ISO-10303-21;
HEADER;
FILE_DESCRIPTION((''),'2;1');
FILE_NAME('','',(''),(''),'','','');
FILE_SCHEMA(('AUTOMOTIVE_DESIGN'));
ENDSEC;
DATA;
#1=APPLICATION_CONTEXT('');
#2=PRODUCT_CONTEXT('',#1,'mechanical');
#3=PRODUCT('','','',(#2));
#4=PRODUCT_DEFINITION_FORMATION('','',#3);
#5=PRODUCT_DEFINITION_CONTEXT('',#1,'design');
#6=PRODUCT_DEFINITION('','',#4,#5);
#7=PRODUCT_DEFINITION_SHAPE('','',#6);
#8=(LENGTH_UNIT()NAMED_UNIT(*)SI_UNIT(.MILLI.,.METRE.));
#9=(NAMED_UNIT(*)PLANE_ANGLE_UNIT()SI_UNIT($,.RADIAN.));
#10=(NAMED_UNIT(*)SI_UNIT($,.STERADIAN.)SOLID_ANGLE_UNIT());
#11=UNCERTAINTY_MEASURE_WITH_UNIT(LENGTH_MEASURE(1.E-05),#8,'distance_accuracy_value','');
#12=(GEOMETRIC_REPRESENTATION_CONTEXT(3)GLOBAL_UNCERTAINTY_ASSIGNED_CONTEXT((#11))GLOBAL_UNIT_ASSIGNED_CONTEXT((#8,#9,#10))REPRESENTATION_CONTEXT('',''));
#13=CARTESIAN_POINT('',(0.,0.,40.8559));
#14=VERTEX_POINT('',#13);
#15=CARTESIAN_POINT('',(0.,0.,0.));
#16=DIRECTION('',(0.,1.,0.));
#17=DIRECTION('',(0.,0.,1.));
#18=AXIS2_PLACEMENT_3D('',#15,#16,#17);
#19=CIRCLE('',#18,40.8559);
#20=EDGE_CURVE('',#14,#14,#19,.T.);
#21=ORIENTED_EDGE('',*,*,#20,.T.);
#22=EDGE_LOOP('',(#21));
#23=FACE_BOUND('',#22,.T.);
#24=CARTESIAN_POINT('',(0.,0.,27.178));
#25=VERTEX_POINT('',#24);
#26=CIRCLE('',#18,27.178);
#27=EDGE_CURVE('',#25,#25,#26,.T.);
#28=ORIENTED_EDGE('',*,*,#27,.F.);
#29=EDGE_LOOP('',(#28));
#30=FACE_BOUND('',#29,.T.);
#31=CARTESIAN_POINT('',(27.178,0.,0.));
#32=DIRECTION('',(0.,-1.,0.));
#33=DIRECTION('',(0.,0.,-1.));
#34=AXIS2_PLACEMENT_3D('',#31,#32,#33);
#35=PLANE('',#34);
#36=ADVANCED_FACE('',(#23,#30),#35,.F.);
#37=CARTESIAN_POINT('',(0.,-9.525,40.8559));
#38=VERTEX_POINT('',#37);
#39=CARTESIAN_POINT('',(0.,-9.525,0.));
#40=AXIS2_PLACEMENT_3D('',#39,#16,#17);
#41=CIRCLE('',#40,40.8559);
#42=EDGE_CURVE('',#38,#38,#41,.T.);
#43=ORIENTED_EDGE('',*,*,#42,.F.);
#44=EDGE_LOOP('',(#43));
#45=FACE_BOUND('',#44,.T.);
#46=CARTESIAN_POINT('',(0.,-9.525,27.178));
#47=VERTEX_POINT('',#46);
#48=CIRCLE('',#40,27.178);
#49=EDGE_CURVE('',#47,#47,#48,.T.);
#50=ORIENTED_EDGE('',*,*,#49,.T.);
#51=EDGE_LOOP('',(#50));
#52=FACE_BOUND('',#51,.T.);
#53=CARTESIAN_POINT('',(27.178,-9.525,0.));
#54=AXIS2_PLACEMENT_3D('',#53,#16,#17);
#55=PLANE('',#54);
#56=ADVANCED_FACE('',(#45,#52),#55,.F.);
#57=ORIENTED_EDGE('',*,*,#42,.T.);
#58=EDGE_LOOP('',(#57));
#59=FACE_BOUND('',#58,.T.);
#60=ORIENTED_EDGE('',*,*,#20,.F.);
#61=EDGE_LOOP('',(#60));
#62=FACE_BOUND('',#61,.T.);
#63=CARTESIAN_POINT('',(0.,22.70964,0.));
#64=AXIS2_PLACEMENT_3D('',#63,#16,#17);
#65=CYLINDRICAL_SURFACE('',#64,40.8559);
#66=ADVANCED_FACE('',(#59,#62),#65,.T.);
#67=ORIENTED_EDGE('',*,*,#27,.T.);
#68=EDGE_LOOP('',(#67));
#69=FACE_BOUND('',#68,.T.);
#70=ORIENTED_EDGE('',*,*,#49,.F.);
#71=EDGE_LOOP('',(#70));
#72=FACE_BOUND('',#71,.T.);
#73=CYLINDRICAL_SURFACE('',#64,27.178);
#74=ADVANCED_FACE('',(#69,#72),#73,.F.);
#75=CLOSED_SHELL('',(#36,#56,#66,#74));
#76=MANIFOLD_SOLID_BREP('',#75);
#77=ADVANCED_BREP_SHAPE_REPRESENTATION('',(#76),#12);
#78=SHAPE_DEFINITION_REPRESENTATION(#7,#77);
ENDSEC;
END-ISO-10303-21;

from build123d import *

# Parameters (mm, degrees)
SKETCH1_W = 13.6779
SKETCH1_H = 9.525


with BuildPart() as part:
    # Sketch1 → Revolve1 (revolve)
    with BuildSketch(Plane.XY):
        with Locations((34.01695, -4.7625)):
            Rectangle(SKETCH1_W, SKETCH1_H)
    revolve(axis=Axis((0, 22.709640493, 0), (0, -1, 0)))


solid = part.part
